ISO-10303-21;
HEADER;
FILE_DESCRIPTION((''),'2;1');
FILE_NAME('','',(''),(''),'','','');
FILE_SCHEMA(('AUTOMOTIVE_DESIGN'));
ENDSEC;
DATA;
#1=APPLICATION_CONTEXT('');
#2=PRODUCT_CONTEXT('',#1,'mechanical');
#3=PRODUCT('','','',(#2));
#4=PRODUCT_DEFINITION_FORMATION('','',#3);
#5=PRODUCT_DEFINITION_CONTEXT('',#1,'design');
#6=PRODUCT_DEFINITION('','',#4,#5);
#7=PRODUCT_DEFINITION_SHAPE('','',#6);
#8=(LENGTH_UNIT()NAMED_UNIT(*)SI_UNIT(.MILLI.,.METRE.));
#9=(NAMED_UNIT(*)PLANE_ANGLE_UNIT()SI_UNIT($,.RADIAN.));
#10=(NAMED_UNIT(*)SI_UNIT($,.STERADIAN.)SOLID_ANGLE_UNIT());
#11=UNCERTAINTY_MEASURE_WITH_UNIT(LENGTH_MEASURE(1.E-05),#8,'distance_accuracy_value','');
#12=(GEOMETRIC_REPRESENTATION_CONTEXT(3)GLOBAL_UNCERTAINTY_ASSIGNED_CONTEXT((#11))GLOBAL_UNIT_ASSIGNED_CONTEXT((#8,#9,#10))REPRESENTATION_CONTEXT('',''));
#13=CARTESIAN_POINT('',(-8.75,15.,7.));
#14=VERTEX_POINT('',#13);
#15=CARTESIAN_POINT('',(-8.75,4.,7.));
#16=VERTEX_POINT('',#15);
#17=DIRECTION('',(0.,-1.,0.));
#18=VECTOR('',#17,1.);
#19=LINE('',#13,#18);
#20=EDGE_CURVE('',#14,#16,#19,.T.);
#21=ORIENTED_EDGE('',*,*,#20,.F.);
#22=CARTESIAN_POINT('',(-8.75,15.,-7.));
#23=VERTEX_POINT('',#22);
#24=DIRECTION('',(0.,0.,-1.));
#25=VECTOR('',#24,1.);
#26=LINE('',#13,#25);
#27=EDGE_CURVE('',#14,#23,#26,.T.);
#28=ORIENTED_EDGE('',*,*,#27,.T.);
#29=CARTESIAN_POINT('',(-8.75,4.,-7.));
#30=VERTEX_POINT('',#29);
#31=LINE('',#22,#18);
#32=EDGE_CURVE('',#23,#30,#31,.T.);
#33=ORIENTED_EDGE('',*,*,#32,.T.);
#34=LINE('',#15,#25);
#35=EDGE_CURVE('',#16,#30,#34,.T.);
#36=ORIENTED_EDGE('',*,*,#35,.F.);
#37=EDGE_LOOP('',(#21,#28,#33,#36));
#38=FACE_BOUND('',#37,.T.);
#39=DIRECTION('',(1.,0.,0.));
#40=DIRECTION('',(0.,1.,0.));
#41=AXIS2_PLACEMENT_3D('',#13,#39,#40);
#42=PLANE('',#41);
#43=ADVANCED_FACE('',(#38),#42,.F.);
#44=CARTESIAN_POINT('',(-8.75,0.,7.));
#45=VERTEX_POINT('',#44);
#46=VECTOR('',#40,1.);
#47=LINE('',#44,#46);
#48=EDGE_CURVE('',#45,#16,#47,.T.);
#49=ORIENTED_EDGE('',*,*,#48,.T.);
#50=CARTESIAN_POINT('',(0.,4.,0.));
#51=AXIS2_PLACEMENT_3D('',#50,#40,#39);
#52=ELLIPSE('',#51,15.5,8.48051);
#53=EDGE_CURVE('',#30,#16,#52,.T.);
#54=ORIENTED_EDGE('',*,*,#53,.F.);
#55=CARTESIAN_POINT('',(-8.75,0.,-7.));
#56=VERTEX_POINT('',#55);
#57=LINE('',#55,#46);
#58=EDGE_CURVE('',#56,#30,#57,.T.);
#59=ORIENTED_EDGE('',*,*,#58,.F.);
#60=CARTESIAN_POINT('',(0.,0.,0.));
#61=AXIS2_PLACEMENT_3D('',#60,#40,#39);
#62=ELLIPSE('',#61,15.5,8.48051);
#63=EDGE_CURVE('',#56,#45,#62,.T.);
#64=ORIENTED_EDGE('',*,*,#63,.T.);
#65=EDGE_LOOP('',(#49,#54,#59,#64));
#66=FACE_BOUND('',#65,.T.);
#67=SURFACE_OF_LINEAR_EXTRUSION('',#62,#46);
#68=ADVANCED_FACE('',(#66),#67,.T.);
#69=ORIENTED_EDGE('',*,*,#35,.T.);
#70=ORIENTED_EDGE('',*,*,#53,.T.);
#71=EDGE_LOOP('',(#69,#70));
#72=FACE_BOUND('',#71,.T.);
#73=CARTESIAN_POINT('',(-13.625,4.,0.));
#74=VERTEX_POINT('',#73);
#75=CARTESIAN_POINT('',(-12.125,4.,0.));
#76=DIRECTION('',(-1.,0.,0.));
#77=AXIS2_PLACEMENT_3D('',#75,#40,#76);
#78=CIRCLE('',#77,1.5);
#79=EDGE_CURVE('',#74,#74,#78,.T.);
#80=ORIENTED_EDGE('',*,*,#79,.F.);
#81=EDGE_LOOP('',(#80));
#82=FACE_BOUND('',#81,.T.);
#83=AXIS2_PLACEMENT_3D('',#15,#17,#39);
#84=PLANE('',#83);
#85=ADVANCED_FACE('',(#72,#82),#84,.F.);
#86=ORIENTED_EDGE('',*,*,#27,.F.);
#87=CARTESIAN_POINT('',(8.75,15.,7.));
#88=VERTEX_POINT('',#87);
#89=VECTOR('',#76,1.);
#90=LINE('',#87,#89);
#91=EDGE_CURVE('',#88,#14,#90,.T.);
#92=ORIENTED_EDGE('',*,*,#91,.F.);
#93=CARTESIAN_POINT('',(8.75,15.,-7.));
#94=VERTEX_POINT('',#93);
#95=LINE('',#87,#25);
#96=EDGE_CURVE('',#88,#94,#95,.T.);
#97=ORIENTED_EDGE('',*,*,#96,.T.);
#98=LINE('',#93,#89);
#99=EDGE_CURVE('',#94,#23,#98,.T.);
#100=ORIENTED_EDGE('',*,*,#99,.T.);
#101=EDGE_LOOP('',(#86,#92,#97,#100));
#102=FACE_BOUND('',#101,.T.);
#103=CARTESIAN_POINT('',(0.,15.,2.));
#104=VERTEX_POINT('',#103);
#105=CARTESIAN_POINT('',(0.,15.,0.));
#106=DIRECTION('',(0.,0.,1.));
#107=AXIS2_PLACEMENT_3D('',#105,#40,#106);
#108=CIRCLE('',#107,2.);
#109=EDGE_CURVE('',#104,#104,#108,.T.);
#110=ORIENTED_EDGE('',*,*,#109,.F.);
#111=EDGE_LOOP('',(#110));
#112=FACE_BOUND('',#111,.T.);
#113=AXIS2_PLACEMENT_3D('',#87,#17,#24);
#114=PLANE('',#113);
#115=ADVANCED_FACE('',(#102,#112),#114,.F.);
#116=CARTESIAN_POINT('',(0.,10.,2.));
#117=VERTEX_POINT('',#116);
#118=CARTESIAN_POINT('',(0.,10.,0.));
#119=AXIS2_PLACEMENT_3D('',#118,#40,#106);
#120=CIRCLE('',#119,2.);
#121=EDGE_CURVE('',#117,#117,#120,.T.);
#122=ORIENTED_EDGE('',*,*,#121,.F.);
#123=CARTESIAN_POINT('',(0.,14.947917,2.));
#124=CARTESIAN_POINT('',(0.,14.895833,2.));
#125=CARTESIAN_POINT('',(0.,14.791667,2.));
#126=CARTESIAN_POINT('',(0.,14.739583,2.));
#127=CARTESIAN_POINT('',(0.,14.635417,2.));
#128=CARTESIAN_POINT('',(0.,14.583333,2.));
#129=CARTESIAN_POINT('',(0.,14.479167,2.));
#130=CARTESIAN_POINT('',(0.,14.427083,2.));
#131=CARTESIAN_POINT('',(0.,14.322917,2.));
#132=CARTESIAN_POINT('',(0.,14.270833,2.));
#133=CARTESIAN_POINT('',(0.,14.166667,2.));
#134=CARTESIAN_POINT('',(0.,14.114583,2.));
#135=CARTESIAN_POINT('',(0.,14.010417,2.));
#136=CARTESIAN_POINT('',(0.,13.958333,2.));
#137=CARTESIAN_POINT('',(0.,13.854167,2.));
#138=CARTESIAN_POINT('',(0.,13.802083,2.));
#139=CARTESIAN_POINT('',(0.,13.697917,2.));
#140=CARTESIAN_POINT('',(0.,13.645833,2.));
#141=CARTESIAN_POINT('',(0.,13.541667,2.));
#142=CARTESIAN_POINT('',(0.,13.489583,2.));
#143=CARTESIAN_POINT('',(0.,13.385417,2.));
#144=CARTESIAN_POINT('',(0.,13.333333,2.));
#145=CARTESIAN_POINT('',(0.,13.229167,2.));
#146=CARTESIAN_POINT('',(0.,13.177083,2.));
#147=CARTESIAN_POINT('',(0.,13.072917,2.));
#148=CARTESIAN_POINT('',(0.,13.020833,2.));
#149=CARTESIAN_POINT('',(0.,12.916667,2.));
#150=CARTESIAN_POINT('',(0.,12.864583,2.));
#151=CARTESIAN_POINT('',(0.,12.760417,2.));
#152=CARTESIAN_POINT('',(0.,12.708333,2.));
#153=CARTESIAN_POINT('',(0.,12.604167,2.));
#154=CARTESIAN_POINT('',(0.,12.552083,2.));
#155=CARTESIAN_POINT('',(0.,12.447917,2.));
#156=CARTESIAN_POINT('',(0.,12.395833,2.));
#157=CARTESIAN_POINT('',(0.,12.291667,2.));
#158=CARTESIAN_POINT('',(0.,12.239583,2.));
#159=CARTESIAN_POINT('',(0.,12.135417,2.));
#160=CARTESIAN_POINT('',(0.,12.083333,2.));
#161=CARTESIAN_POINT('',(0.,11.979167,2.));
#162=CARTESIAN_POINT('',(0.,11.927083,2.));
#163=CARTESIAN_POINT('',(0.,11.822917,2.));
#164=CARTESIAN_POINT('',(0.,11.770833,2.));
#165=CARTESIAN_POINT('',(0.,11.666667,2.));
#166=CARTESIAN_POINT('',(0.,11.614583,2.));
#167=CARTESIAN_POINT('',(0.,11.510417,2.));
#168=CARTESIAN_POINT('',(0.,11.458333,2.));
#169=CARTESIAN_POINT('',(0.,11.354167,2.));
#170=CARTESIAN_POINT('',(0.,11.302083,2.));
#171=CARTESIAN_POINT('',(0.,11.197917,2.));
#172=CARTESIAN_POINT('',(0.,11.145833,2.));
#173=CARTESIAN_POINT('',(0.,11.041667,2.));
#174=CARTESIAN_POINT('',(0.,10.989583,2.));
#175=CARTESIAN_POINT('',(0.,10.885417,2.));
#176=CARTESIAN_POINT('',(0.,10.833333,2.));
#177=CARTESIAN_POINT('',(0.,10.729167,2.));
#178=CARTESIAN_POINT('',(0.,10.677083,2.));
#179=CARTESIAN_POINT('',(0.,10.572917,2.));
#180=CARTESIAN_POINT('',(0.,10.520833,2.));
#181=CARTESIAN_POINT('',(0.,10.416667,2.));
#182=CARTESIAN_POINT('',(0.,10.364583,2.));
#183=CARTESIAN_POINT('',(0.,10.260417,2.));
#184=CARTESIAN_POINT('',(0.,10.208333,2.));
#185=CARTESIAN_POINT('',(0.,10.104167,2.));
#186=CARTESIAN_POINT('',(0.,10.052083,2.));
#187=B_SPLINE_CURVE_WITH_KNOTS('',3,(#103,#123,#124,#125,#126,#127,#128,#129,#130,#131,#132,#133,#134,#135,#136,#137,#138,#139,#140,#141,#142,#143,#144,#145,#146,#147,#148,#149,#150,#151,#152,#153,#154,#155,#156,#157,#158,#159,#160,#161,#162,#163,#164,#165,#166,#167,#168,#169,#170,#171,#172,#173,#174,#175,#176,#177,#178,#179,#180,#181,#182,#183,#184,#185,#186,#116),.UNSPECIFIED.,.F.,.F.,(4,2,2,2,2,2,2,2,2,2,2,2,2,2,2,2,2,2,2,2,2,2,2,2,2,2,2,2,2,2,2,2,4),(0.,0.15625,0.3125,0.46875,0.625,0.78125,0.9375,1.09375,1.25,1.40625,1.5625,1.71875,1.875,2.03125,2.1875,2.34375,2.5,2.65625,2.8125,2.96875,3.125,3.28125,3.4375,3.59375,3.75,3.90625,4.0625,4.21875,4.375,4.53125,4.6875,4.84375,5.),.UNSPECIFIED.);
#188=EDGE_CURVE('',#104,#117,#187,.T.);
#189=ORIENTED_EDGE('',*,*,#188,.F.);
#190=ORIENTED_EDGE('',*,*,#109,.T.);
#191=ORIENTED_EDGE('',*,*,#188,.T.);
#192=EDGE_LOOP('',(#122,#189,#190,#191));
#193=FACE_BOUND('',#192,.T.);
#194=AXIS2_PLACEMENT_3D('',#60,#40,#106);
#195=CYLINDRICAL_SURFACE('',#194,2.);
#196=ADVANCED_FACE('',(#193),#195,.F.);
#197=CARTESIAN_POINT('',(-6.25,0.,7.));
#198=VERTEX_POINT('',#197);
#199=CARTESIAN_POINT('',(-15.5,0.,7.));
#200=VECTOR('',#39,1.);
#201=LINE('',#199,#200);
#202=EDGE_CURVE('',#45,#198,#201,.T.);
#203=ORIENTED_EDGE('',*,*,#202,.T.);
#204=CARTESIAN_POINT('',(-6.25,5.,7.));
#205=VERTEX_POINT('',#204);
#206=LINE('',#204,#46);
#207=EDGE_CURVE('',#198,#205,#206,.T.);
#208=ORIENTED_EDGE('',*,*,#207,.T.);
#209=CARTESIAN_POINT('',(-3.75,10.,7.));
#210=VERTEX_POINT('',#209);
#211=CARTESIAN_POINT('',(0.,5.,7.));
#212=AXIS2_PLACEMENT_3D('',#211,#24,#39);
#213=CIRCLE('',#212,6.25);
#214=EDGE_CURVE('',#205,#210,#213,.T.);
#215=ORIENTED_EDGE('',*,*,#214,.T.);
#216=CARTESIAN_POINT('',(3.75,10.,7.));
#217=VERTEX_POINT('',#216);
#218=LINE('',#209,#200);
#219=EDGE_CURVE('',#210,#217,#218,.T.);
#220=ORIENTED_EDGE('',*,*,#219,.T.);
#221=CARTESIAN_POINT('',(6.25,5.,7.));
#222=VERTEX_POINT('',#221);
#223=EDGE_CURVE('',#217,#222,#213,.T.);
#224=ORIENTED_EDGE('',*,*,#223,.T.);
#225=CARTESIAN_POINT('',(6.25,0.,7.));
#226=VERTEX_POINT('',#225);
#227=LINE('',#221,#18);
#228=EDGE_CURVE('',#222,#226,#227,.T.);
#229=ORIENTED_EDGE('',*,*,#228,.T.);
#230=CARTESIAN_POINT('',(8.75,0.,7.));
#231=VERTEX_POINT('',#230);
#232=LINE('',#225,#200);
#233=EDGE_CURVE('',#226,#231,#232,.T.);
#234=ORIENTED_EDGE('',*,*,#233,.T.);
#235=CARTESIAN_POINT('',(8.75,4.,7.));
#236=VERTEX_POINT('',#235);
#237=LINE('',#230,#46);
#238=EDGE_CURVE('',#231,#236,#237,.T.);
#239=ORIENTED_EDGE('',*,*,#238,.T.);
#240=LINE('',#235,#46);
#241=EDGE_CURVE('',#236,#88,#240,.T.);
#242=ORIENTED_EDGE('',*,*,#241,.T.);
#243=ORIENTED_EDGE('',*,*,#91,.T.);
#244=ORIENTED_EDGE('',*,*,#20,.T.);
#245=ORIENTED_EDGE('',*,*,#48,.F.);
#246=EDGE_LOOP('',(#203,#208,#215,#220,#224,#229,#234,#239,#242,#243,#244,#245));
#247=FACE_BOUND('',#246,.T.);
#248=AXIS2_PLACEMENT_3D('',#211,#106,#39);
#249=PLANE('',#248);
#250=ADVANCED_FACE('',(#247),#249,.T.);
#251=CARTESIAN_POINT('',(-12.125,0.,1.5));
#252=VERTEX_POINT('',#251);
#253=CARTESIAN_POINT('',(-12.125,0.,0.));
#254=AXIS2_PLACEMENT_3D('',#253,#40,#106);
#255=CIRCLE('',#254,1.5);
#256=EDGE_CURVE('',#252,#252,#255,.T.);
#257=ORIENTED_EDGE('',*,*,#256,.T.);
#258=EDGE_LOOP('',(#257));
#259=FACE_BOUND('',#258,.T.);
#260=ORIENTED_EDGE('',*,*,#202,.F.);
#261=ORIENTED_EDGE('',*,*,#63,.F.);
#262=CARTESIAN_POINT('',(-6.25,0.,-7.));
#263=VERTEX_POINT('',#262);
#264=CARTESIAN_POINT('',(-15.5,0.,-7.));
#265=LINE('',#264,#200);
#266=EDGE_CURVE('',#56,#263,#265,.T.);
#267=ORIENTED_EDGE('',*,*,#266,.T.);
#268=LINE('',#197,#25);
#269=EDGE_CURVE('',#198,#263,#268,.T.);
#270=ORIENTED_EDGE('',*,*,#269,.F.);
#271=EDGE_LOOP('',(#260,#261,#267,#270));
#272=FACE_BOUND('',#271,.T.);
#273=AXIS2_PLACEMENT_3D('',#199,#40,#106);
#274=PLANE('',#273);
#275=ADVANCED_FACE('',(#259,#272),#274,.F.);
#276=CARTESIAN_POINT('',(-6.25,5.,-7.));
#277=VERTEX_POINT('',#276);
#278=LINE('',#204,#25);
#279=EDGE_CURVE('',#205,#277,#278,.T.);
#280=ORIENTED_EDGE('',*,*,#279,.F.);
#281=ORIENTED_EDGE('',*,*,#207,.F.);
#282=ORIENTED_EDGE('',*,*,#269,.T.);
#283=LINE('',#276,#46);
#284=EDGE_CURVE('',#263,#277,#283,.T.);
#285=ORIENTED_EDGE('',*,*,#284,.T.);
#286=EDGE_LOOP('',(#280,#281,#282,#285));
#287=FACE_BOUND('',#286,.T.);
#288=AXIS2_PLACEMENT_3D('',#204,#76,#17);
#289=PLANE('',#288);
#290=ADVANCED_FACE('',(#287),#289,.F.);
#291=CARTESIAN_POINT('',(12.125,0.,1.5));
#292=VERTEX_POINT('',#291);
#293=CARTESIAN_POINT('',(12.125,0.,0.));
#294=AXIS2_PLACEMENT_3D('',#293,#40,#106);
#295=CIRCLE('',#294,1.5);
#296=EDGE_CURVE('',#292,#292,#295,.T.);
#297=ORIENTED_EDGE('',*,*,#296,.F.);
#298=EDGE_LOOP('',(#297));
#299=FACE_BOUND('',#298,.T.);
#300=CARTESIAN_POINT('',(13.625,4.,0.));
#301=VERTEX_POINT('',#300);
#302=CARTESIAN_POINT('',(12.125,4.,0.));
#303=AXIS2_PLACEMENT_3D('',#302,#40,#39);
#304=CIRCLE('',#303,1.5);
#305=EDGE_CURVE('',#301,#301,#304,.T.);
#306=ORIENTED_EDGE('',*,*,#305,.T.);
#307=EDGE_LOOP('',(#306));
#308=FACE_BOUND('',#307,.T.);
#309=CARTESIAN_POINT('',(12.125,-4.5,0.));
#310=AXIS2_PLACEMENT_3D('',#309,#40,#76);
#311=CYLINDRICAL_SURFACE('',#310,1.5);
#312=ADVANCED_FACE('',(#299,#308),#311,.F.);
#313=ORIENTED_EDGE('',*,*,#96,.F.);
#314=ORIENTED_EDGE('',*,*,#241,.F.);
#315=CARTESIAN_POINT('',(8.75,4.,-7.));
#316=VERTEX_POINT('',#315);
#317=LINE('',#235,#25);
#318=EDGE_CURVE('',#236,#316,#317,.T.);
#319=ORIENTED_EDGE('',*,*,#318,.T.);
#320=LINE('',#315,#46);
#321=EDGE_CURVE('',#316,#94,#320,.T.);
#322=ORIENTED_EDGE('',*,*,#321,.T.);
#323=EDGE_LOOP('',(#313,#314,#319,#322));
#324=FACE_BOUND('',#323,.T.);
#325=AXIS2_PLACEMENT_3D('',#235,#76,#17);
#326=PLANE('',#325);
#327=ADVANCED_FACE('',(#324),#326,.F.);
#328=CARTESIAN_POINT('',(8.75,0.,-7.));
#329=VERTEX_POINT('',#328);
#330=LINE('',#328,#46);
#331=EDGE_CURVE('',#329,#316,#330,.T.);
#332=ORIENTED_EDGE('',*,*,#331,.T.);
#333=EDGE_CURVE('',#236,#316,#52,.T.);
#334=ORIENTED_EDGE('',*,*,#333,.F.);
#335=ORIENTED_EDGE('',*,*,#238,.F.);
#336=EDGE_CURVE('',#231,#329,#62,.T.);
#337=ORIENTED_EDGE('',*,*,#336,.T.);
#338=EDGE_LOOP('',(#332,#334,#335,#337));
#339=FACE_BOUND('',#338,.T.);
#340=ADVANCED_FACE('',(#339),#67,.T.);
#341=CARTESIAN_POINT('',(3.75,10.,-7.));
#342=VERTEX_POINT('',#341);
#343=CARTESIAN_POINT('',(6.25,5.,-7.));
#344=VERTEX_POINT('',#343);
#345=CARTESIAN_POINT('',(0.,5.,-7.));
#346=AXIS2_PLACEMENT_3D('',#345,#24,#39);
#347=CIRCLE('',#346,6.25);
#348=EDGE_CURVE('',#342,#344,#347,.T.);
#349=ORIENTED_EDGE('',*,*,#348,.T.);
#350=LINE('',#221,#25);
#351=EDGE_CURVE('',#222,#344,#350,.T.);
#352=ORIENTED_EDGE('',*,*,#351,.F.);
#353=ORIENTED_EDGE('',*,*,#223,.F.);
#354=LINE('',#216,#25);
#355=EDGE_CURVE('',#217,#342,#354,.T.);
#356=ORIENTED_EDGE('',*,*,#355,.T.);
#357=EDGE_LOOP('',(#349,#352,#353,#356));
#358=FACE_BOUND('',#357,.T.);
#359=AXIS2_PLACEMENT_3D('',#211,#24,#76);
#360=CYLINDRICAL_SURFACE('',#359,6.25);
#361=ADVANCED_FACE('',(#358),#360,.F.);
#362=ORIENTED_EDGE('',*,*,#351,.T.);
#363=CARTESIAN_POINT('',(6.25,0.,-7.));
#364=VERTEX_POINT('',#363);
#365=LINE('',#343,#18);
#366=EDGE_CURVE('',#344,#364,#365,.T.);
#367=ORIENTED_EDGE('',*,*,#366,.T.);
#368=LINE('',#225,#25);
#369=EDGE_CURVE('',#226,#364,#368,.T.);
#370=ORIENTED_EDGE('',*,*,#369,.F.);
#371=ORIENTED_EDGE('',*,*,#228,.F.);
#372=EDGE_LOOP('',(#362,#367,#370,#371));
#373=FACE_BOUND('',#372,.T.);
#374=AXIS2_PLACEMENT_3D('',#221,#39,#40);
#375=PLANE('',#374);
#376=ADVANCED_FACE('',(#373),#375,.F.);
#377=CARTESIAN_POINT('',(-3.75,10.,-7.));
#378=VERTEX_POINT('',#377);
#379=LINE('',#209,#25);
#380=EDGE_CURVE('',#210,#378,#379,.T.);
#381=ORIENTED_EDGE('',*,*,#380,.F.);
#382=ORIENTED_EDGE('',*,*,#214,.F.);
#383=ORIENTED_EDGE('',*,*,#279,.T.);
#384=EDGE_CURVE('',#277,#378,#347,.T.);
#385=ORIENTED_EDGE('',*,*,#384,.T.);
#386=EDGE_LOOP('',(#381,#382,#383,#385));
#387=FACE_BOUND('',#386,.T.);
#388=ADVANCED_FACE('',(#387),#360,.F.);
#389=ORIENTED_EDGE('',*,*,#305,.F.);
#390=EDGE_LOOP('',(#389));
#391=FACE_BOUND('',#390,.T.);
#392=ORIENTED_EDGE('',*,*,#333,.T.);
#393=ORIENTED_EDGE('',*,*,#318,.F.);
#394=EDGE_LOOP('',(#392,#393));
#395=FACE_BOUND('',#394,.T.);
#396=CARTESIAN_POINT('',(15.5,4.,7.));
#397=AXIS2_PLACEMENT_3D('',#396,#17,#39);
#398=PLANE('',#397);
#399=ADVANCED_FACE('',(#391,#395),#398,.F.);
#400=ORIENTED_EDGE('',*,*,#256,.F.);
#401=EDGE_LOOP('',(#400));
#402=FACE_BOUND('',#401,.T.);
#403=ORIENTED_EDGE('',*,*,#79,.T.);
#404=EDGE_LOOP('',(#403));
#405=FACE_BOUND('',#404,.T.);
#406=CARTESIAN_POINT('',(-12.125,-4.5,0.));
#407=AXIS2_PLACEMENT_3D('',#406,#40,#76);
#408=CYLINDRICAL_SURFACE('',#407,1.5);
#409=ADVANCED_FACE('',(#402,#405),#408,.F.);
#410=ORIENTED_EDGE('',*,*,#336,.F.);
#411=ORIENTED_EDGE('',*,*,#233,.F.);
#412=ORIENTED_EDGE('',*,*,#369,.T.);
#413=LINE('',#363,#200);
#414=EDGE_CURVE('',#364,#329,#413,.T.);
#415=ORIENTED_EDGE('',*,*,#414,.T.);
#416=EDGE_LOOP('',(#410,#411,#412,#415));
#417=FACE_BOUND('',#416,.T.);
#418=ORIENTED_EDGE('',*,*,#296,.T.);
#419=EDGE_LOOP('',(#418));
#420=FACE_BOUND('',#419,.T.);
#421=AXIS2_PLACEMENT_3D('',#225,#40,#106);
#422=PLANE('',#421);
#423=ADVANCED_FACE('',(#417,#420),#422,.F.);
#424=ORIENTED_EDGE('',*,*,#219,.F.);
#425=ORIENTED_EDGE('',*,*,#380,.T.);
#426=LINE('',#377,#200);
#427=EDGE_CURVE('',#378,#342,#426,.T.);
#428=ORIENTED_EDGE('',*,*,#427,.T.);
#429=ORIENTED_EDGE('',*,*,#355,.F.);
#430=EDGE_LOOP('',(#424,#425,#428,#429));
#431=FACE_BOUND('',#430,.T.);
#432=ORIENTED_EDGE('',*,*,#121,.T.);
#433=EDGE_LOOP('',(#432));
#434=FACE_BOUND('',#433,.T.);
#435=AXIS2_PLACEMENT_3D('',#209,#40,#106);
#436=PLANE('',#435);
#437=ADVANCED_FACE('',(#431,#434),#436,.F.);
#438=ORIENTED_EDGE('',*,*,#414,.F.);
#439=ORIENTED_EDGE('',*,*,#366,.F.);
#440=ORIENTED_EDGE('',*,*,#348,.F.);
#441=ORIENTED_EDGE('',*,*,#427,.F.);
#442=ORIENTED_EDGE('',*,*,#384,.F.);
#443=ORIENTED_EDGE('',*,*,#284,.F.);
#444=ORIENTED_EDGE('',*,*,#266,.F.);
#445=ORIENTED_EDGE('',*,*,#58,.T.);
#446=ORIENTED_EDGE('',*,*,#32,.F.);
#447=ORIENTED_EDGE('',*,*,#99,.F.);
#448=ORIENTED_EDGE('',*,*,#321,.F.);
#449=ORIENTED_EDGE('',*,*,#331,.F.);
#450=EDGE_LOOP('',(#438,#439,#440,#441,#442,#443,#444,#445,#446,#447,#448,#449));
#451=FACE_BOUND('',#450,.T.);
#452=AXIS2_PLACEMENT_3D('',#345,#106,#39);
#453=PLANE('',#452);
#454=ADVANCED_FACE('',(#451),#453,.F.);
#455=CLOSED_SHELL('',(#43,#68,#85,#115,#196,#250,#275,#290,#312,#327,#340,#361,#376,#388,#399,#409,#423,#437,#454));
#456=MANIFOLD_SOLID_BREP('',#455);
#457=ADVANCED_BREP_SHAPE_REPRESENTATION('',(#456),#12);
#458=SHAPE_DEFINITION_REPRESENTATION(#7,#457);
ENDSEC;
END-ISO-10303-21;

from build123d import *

# Parameters (mm, degrees)
BOSS_EXTRU_1_DEPTH      = 7
ESQUISSE3_R             = 1.5
ENL_V_MAT_EXTRU_2_DEPTH = 8.5
ESQUISSE4_R             = 2
ENL_V_MAT_EXTRU_3_DEPTH = 23.677080941
ENL_V_MAT_EXTRU_4_DEPTH = 21.254629101


with BuildPart() as part:
    # Esquisse1 → Boss.-Extru.1 (new, symmetric)
    with BuildSketch(Plane.XY):
        with BuildLine():
            Line((-15.5, 0), (-6.25, 0))
            Line((-6.25, 0), (-6.25, 5))
            ThreePointArc((-6.25, 5), (-5.590169944, 7.795084972), (-3.75, 10))
            Line((-3.75, 10), (3.75, 10))
            ThreePointArc((3.75, 10), (5.590169944, 7.795084972), (6.25, 5))
            Line((6.25, 5), (6.25, 0))
            Line((6.25, 0), (15.5, 0))
            Line((15.5, 0), (15.5, 4))
            Line((15.5, 4), (8.75, 4))
            Line((8.75, 4), (8.75, 15))
            Line((8.75, 15), (-8.75, 15))
            Line((-8.75, 15), (-8.75, 4))
            Line((-8.75, 4), (-15.5, 4))
            Line((-15.5, 4), (-15.5, 0))
        make_face()
    extrude(amount=BOSS_EXTRU_1_DEPTH, both=True)

    # Esquisse3 → Enlèv. mat.-Extru.2 (cut)
    with BuildSketch(Plane(origin=(0, 4, 0), x_dir=(1, 0, 0), z_dir=(0, 1, 0))):
        with Locations(Location((-12.125, 0, 0), (0, 0, 180))):
            Circle(ESQUISSE3_R)
        with Locations(Location((12.125, 0, 0), (0, 0, 270))):
            Circle(ESQUISSE3_R)
    extrude(amount=-ENL_V_MAT_EXTRU_2_DEPTH, mode=Mode.SUBTRACT)

    # Esquisse4 → Enlèv. mat.-Extru.3 (cut, through all)
    with BuildSketch(Plane(origin=(0, 15, 0), x_dir=(1, 0, 0), z_dir=(0, 1, 0))):
        with Locations(Location((0, 0, 0), (0, 0, 270))):
            Circle(ESQUISSE4_R)
    extrude(amount=-ENL_V_MAT_EXTRU_3_DEPTH, mode=Mode.SUBTRACT)

    # Esquisse5 → Enlèv. mat.-Extru.4 (cut, through all)
    with BuildSketch(Plane(origin=(0, 4, 0), x_dir=(1, 0, 0), z_dir=(0, 1, 0))):
        with BuildLine():
            add(Edge.make_bspline(
                [(-8.75, 7), (-15.499999967, 4.474226816), (-15.5, 3.4e-08)],
                knots=[2.170643252, 2.170643252, 2.170643252, 3.14159265, 3.14159265, 3.14159265], degree=2, weights=[1, 0.884453541, 1]))
            Line((-8.75, 7), (-15.5, 7))
            Line((-15.5, 7), (-15.5, 3.4e-08))
        make_face()
        with BuildLine():
            Line((15.5, 7), (8.75, 7))
            add(Edge.make_bspline(
                [(15.5, 0), (15.5, 4.474226804), (8.75, 7)],
                knots=[0, 0, 0, 0.970949401, 0.970949401, 0.970949401], degree=2, weights=[1, 0.88445354, 1]))
            Line((15.5, 0), (15.5, 7))
        make_face()
        with BuildLine():
            add(Edge.make_bspline(
                [(-15.5, 3.4e-08), (-15.500000033, -4.474226792), (-8.75, -7)],
                knots=[3.14159265, 3.14159265, 3.14159265, 4.112542055, 4.112542055, 4.112542055], degree=2, weights=[1, 0.884453539, 1]))
            Line((-15.5, 3.4e-08), (-15.5, -7))
            Line((-15.5, -7), (-8.75, -7))
        make_face()
        with BuildLine():
            Line((15.5, -7), (15.5, 0))
            add(Edge.make_bspline(
                [(8.75, -7), (15.5, -4.474226804), (15.5, 0)],
                knots=[5.312235906, 5.312235906, 5.312235906, 6.283185307, 6.283185307, 6.283185307], degree=2, weights=[1, 0.88445354, 1]))
            Line((8.75, -7), (15.5, -7))
        make_face()
    extrude(amount=-ENL_V_MAT_EXTRU_4_DEPTH, mode=Mode.SUBTRACT)


solid = part.part
